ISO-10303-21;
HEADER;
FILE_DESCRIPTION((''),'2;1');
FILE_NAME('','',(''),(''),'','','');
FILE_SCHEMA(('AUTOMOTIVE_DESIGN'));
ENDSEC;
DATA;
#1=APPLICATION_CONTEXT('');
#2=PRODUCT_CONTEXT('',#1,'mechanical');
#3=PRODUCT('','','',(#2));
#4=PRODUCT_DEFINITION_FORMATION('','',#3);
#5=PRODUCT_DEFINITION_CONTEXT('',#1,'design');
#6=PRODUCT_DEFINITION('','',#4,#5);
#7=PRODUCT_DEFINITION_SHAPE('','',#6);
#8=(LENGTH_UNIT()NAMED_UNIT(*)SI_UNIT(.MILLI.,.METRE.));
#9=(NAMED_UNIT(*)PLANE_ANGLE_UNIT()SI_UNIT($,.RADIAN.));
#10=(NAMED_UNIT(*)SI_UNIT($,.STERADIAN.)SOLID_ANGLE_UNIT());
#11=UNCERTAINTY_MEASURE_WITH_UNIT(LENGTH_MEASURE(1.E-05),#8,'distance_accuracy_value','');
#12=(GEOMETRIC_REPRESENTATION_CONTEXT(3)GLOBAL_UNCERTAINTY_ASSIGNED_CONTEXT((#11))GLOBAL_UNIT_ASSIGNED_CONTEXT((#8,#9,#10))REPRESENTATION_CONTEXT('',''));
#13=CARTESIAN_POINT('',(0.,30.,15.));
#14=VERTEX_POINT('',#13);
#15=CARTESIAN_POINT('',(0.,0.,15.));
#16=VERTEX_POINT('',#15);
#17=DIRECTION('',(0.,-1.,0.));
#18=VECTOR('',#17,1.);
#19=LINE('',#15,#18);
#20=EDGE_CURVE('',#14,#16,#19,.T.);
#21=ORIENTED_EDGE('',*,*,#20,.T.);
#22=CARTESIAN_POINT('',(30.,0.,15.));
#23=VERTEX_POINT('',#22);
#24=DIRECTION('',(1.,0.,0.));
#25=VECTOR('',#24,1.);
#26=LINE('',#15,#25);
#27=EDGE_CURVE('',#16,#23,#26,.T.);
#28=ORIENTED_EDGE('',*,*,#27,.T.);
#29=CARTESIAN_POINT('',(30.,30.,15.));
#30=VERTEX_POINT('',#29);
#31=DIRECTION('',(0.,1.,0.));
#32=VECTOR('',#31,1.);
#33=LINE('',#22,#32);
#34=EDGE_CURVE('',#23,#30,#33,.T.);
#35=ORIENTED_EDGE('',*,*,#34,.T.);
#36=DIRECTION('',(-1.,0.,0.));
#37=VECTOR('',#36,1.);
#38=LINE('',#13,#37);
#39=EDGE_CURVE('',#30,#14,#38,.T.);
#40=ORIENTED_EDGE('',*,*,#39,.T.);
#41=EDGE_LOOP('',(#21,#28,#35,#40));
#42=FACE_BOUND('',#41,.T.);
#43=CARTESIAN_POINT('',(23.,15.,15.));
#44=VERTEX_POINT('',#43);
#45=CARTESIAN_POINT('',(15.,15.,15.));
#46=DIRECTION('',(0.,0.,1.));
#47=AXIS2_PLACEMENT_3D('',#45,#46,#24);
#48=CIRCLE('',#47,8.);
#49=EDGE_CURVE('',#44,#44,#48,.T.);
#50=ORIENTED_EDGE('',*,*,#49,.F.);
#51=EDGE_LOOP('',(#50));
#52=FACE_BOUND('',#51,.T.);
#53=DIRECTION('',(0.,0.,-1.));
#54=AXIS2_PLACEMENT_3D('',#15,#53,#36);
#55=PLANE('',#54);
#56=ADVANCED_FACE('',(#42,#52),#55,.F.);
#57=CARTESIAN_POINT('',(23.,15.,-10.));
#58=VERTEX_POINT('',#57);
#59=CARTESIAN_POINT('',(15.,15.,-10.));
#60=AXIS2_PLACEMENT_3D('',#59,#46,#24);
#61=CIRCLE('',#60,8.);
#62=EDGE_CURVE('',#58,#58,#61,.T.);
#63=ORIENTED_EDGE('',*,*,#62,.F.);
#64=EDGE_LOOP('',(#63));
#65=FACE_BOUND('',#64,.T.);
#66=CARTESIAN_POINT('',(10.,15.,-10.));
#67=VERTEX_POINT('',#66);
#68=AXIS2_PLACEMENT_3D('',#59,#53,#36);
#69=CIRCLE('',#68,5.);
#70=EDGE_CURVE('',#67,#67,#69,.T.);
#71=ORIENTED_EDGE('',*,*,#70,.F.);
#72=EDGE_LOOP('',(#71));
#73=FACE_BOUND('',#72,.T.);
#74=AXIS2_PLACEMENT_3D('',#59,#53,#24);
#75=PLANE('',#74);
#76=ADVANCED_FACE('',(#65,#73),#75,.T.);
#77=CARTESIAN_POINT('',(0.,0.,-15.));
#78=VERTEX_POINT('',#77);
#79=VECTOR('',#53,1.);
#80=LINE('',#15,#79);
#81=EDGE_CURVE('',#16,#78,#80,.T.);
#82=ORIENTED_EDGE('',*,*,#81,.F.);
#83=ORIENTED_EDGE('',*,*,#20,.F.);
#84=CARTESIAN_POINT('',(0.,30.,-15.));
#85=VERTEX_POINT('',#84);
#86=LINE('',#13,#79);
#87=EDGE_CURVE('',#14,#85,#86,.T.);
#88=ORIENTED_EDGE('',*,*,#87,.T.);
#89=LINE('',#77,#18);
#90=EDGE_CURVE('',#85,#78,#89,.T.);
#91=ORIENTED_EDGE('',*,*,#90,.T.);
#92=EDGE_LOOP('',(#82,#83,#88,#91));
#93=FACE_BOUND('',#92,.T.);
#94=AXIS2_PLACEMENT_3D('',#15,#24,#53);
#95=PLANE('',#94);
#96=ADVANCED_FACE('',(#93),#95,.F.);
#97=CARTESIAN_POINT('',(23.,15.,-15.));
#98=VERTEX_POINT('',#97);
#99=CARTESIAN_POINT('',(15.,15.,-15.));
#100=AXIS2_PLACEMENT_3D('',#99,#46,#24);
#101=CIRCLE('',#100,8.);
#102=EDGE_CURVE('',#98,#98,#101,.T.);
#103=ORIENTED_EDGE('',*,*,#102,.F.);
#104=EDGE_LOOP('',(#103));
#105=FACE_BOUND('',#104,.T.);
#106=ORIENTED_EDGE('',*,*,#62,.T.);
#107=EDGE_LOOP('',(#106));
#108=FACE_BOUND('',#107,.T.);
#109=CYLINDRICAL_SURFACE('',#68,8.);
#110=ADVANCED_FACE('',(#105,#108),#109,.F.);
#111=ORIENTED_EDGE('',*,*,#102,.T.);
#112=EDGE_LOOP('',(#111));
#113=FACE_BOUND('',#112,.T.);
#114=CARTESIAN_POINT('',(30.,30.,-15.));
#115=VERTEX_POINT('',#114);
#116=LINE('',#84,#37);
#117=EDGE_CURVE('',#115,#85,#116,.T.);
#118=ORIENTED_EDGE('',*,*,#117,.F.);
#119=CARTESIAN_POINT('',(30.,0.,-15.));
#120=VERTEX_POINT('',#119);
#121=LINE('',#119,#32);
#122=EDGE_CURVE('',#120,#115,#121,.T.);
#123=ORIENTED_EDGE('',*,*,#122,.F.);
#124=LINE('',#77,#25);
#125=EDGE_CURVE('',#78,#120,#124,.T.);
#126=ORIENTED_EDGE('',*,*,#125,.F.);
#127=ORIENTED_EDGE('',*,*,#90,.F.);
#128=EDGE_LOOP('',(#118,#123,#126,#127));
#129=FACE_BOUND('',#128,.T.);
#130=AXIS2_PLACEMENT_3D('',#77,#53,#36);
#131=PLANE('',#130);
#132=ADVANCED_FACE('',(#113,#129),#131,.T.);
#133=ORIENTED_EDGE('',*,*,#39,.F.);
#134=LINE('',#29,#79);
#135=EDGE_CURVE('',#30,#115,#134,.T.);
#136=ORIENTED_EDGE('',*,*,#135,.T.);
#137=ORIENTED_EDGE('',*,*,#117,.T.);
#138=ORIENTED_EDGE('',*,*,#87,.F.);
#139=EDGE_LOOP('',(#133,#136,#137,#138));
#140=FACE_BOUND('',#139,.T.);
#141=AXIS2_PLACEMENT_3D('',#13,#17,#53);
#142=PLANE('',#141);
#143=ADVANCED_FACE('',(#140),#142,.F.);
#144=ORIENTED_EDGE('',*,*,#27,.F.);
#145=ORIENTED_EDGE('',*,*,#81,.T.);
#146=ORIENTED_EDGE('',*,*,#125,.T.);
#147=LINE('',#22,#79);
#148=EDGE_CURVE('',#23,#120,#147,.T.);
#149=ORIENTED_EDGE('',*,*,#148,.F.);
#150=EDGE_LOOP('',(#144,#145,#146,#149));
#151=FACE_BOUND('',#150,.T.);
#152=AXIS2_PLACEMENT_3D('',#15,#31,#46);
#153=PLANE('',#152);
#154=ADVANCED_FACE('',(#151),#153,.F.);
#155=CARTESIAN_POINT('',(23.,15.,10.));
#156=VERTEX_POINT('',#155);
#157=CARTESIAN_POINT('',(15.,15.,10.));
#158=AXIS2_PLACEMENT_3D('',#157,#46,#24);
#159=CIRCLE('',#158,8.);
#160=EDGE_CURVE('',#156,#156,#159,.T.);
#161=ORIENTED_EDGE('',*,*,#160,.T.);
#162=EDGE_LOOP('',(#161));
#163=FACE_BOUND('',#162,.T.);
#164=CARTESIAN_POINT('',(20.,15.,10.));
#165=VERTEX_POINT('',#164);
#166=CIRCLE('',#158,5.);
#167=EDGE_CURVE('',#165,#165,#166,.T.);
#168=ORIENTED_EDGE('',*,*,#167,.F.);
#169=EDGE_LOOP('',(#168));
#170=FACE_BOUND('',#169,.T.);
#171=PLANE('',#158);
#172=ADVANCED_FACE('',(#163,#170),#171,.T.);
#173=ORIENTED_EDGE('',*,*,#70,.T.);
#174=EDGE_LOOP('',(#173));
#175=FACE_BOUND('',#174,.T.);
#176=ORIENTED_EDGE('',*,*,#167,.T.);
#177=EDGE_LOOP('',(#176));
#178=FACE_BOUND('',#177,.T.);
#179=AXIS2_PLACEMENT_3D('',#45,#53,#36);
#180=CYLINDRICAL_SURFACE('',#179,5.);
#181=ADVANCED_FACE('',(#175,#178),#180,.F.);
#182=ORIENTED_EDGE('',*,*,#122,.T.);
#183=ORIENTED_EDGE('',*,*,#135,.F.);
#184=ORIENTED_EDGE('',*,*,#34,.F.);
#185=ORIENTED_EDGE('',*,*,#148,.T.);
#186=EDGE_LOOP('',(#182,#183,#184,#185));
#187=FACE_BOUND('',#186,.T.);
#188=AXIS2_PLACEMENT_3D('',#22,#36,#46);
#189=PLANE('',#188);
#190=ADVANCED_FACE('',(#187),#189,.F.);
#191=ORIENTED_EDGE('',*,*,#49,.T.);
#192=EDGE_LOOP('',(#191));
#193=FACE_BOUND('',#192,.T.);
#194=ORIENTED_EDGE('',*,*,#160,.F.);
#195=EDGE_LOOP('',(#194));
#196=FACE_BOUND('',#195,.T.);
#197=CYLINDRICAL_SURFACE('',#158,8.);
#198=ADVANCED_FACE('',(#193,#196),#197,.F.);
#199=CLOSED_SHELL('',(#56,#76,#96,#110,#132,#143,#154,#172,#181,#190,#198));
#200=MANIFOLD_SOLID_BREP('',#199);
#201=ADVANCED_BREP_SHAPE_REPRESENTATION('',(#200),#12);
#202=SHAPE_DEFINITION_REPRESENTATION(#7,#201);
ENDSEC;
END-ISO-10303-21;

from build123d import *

# Parameters (mm, degrees)
SKETCH_1_W          = 30
SKETCH_1_H          = 30
SKETCH_1_R          = 5
EXTRUDE_1_DEPTH     = 15
SKETCH_3_R          = 8
CUT_EXTRUDE_1_DEPTH = 5


with BuildPart() as part:
    # 草圖1 → 填料-伸長1 (new, symmetric)
    with BuildSketch(Plane.XY):
        with Locations((15, 15)):
            Rectangle(SKETCH_1_W, SKETCH_1_H)
        with Locations((15, 15)):
            Circle(SKETCH_1_R, mode=Mode.SUBTRACT)
    extrude(amount=EXTRUDE_1_DEPTH, both=True)

    # 草圖3 → 除料-伸長1 (cut)
    with BuildSketch(Plane.XY.offset(15)):
        with Locations((15, 15)):
            Circle(SKETCH_3_R)
    cut_extrude_1 = extrude(amount=-CUT_EXTRUDE_1_DEPTH, mode=Mode.SUBTRACT)

    # 鏡射1: 除料-伸長1 across plane
    add(cut_extrude_1.mirror(Plane.XY), mode=Mode.SUBTRACT)


solid = part.part
